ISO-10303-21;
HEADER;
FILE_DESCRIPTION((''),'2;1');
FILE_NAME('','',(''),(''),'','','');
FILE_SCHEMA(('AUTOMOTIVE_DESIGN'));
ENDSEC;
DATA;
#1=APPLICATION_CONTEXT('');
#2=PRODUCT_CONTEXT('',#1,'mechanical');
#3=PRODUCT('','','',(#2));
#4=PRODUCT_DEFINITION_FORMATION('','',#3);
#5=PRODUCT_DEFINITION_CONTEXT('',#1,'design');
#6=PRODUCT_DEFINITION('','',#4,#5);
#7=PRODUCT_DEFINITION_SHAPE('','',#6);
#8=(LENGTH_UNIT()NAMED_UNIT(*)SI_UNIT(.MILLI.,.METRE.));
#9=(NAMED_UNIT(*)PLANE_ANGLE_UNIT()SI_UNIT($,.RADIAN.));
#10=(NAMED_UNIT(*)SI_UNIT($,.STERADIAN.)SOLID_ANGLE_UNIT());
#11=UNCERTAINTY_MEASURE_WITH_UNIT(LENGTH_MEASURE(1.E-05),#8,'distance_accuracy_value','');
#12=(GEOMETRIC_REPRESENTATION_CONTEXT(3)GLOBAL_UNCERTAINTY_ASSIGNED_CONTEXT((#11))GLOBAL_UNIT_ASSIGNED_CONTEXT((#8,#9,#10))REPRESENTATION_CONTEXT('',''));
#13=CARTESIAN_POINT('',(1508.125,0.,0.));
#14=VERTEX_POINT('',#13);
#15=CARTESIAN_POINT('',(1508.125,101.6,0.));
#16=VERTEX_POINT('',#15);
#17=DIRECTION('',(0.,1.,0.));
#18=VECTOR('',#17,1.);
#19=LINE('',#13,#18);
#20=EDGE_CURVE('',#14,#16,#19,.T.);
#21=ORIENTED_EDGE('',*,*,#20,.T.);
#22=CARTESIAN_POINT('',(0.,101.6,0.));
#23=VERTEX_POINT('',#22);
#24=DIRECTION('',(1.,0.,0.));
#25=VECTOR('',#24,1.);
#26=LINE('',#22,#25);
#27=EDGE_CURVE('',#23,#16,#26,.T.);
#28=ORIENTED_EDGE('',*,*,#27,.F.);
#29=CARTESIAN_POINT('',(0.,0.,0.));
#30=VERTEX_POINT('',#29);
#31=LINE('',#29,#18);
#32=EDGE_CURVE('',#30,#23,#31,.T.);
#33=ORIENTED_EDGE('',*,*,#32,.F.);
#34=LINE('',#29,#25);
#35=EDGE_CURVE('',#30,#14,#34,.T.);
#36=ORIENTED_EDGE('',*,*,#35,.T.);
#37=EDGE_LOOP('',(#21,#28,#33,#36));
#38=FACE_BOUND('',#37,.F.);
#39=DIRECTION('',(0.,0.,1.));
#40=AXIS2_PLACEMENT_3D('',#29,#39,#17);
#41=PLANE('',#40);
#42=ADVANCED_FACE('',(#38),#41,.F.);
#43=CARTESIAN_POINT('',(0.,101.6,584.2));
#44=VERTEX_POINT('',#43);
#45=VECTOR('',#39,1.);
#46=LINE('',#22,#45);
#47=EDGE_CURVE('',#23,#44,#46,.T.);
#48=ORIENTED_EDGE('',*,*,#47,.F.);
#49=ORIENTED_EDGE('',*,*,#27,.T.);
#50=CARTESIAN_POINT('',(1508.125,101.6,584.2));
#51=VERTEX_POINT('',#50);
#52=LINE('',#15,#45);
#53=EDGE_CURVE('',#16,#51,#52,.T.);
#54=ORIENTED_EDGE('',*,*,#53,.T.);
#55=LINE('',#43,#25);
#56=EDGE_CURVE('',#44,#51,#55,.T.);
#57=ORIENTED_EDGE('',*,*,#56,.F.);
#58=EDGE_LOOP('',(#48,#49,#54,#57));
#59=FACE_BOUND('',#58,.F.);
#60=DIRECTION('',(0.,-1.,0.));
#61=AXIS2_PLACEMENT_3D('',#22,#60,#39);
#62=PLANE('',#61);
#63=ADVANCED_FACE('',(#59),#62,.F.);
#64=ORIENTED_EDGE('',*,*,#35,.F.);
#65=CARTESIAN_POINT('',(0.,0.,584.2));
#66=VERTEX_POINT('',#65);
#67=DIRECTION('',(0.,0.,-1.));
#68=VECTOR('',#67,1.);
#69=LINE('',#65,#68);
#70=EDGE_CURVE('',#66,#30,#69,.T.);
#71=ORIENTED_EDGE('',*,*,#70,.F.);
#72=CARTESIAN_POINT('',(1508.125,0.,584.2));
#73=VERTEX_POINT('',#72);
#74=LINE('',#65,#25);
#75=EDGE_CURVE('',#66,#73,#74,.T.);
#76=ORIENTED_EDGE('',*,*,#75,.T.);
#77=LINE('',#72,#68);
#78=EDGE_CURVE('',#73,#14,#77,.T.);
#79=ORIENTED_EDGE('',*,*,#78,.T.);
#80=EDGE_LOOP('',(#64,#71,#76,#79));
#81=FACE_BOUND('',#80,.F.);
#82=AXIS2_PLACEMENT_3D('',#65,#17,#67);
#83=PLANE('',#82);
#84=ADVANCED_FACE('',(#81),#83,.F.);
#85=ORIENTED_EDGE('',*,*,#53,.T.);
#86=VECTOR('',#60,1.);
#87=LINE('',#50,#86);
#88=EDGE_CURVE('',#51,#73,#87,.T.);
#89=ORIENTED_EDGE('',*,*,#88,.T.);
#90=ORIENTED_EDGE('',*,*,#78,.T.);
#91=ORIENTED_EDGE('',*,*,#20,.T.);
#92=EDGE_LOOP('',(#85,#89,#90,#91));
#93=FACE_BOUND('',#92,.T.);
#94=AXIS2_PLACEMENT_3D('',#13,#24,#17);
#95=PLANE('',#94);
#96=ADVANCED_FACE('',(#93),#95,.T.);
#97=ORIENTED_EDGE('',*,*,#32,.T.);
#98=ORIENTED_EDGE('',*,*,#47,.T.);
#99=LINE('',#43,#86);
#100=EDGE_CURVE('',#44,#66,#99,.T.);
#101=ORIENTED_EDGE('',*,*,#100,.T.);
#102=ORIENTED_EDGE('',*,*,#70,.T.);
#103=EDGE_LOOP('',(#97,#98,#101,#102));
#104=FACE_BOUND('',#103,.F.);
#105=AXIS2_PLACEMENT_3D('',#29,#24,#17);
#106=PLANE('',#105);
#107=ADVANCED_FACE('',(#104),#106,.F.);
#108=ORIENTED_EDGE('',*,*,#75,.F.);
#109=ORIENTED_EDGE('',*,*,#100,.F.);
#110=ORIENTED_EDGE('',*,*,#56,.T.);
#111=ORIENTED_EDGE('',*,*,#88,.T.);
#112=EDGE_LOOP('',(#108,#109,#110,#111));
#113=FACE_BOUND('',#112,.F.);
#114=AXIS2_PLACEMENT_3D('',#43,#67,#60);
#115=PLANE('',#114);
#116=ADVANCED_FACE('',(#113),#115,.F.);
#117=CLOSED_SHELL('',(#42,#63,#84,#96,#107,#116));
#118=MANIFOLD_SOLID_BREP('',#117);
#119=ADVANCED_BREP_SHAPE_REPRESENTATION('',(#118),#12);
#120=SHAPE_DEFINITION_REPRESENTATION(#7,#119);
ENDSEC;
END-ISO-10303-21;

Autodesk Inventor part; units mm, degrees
ref_plane "YZ Plane" through (0, 0, 0) normal (1, 0, 0) x (0, 1, 0)
ref_plane "XZ Plane" through (0, 0, 0) normal (0, 1, 0) x (-1, 0, 0)
ref_plane "XY Plane" through (0, 0, 0) normal (0, 0, 1) x (1, 0, 0)
sketch "Sketch1" plane through (0, 0, 0) normal (1, 0, 0) x (0, 1, 0)
  line L0 (0, 0) -> (101.6, 0)
  line L1 (101.6, 0) -> (101.6, 584.2)
  line L2 (101.6, 584.2) -> (0, 584.2)
  line L3 (0, 584.2) -> (0, 0)
  dimension "d0" = 101.6
  dimension "d1" = 584.2
extrude "Extrusion1" add sketch "Sketch1" along normal blind 1508.125
properties part number "23x60sawn" material "Limestone"
